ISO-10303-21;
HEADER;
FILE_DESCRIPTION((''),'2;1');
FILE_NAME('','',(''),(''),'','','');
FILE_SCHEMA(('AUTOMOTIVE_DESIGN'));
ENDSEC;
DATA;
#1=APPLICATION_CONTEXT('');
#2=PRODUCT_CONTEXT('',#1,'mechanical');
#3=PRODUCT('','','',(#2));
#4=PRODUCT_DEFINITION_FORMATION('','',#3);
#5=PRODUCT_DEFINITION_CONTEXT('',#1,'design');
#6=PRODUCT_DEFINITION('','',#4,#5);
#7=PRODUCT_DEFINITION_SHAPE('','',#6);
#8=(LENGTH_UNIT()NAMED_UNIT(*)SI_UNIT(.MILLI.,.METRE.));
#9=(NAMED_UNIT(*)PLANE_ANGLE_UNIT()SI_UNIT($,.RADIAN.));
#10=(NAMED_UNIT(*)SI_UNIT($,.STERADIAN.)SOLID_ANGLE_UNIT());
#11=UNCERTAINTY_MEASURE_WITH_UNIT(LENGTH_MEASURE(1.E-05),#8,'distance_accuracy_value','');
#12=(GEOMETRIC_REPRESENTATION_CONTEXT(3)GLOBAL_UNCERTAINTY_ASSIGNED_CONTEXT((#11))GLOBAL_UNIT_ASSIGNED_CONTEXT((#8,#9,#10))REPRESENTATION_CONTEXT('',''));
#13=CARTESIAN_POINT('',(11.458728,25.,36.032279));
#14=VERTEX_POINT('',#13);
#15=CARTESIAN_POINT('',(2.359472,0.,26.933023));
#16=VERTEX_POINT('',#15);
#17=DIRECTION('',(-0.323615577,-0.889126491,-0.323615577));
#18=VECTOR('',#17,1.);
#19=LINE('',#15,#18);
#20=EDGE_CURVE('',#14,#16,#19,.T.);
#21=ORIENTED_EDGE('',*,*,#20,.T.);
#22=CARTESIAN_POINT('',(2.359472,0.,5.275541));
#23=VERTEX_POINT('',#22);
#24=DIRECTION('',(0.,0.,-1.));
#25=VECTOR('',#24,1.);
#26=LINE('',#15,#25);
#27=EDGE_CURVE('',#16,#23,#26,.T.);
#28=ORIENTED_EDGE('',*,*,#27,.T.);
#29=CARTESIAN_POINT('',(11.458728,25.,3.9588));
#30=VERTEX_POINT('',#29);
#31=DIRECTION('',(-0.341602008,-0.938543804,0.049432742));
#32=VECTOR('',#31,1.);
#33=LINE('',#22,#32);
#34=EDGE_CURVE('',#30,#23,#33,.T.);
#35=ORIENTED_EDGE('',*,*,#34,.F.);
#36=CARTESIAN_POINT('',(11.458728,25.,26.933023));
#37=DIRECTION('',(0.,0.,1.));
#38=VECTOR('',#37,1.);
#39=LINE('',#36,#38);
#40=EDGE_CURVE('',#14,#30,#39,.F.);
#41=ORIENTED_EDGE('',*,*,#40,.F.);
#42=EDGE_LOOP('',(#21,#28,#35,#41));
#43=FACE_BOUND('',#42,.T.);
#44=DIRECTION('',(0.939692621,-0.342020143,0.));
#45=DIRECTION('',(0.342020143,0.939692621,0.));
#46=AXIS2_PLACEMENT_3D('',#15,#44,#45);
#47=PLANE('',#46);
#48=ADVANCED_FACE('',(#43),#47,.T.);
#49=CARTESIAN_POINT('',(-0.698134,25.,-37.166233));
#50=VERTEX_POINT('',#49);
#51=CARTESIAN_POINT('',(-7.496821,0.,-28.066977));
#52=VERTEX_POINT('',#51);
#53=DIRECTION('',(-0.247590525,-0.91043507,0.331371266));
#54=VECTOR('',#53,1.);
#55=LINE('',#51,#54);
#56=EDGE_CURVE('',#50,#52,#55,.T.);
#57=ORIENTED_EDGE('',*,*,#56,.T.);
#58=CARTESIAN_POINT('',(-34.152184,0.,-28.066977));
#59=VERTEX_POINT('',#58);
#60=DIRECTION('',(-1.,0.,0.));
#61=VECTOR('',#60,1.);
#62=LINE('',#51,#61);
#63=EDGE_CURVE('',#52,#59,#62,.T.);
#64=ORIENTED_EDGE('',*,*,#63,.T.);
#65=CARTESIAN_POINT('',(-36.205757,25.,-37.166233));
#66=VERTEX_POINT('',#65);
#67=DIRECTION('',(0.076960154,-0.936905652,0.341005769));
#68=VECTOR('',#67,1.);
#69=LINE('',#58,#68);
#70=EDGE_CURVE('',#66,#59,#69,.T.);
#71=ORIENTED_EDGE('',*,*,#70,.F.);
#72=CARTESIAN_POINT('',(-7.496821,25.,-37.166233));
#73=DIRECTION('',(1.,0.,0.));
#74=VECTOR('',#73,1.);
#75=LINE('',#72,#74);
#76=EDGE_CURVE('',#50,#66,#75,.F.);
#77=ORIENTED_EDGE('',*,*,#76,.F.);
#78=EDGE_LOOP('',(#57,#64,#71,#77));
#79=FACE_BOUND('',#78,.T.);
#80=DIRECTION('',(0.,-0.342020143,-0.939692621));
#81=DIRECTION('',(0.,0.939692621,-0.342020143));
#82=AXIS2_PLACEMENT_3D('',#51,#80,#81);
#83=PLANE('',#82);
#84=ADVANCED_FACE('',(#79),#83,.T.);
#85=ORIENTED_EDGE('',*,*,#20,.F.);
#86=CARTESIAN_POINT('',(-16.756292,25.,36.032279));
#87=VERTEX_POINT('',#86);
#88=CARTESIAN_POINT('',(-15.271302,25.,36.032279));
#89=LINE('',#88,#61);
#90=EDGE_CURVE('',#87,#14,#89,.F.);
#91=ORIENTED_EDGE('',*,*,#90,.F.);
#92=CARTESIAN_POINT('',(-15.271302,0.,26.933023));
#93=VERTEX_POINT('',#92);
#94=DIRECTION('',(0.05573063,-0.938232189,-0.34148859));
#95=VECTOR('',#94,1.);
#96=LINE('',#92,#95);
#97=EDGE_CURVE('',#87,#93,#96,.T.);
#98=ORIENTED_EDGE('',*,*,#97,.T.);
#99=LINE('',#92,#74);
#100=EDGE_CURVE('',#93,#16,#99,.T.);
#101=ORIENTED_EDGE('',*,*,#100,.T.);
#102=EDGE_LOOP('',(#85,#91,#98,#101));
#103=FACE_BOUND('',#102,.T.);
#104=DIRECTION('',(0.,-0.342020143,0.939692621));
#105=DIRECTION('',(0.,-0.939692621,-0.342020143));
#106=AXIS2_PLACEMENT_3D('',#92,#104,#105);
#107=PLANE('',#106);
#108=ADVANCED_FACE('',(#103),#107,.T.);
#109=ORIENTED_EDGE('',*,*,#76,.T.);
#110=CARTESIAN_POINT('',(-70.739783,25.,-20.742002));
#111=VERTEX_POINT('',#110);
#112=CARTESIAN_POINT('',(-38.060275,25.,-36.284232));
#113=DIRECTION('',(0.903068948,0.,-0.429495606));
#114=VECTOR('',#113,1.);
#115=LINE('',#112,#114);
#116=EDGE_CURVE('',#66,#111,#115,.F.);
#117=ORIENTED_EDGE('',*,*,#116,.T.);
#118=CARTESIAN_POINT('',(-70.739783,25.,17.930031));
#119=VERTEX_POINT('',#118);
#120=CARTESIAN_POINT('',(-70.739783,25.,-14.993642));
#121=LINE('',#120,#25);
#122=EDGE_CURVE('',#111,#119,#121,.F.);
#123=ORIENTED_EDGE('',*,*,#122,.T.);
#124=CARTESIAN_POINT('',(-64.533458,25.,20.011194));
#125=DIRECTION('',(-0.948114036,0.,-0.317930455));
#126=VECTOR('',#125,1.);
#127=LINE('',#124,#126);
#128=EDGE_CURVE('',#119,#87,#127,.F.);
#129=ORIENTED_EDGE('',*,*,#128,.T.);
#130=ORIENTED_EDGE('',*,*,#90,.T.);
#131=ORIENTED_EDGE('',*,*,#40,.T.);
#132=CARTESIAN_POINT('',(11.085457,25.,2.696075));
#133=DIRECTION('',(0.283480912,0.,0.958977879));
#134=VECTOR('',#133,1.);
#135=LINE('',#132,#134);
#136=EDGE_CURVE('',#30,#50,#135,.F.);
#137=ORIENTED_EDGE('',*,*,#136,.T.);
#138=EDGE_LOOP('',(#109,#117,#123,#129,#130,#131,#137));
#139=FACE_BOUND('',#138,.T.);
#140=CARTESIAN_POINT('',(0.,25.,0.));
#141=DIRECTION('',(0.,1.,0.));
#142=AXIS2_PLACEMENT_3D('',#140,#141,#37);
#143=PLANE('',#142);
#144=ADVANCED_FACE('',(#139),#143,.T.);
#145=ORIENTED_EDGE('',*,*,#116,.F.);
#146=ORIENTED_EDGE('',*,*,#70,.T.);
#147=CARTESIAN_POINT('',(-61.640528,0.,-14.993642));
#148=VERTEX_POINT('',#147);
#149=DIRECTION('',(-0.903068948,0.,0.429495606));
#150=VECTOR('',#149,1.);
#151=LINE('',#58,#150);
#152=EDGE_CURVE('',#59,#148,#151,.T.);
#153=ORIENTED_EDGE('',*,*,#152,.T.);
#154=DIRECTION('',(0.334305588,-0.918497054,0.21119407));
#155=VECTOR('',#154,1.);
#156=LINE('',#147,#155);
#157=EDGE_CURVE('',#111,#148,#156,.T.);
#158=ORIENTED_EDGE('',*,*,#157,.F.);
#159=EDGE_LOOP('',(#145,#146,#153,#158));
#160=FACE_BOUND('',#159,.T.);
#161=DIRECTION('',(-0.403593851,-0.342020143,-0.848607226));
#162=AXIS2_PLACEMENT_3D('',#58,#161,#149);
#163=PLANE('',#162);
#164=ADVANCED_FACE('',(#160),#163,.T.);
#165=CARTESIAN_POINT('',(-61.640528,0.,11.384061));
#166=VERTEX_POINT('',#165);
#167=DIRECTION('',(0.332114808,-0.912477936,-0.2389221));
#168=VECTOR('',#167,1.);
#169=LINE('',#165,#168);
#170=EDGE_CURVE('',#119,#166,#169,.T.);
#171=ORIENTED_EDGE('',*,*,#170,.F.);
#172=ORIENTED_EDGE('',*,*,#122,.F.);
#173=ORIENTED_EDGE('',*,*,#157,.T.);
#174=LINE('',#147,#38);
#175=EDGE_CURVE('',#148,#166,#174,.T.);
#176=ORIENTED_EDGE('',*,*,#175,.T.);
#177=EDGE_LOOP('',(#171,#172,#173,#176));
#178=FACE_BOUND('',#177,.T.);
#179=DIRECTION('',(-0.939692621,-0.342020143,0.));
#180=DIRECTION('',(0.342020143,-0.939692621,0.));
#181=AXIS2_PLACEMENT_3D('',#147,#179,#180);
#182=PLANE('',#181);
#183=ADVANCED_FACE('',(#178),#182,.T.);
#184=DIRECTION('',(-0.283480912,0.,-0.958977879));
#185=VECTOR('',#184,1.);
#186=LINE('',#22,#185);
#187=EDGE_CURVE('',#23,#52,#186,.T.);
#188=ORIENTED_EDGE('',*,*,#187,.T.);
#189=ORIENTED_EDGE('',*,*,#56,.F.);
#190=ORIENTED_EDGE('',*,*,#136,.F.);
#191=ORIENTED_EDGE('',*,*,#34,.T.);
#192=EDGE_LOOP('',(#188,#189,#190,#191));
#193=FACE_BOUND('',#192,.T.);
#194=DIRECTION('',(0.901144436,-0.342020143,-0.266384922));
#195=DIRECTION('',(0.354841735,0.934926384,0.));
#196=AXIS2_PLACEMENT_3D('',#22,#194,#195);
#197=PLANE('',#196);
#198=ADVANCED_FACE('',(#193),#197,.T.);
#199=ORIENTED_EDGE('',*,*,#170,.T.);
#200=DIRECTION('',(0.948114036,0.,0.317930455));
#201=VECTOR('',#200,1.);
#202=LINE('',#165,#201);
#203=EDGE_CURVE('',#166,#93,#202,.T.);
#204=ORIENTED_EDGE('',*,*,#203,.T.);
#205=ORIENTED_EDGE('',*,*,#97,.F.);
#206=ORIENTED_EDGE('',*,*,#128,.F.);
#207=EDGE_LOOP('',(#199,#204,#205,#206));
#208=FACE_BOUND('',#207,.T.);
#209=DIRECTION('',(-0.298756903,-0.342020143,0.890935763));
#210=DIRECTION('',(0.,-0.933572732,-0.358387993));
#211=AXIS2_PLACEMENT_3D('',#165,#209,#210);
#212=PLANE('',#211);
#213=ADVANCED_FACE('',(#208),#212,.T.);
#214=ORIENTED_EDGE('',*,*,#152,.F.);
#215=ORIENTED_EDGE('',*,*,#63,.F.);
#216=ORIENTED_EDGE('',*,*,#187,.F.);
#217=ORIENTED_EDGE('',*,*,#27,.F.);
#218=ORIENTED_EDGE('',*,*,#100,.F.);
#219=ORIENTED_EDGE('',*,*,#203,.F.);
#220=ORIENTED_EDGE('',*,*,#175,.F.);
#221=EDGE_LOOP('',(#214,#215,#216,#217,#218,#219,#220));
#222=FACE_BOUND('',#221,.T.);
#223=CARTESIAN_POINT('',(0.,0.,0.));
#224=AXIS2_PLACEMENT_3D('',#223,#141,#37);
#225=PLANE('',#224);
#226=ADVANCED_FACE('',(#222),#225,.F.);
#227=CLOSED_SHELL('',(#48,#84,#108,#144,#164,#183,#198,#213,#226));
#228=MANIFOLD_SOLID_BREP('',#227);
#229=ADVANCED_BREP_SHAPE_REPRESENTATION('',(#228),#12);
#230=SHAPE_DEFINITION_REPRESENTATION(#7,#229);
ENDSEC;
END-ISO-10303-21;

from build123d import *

# Parameters (mm, degrees)
EXTRUDE_1_DEPTH = 25
DRAFT_1_ANGLE   = 20


with BuildPart() as part:
    # 草图1 → 凸台-拉伸1 (new body)
    with BuildSketch(Plane(origin=(0, 0, 0), x_dir=(1, 0, 0), z_dir=(0, 1, 0))):
        Polygon((-61.640527642, 14.993641859), (-61.640527642, -11.384061411), (-15.271301893, -26.933023339), (2.359472358, -26.933023339), (2.359472358, -5.275540654), (-7.496820929, 28.066976661), (-34.152184234, 28.066976661), align=None)
    extrude(amount=EXTRUDE_1_DEPTH)

    # 拔模1
    draft_1_faces = [part.faces().sort_by_distance(p)[0] for p in [
        (-38.455914768, 12.5, 19.158542375),
        (-61.640527642, 12.5, -1.804790224),
        (-47.896355938, 12.5, -21.53030926),
        (-20.824502582, 12.5, -28.066976661),
        (-2.568674286, 12.5, -11.395718003),
        (2.359472358, 12.5, 16.104281997),
        (-6.455914768, 12.5, 26.933023339),
    ]]
    draft(draft_1_faces, Plane(origin=(0, 0, 0), x_dir=(0, 0, -1), z_dir=(0, -1, 0)), DRAFT_1_ANGLE)


solid = part.part
